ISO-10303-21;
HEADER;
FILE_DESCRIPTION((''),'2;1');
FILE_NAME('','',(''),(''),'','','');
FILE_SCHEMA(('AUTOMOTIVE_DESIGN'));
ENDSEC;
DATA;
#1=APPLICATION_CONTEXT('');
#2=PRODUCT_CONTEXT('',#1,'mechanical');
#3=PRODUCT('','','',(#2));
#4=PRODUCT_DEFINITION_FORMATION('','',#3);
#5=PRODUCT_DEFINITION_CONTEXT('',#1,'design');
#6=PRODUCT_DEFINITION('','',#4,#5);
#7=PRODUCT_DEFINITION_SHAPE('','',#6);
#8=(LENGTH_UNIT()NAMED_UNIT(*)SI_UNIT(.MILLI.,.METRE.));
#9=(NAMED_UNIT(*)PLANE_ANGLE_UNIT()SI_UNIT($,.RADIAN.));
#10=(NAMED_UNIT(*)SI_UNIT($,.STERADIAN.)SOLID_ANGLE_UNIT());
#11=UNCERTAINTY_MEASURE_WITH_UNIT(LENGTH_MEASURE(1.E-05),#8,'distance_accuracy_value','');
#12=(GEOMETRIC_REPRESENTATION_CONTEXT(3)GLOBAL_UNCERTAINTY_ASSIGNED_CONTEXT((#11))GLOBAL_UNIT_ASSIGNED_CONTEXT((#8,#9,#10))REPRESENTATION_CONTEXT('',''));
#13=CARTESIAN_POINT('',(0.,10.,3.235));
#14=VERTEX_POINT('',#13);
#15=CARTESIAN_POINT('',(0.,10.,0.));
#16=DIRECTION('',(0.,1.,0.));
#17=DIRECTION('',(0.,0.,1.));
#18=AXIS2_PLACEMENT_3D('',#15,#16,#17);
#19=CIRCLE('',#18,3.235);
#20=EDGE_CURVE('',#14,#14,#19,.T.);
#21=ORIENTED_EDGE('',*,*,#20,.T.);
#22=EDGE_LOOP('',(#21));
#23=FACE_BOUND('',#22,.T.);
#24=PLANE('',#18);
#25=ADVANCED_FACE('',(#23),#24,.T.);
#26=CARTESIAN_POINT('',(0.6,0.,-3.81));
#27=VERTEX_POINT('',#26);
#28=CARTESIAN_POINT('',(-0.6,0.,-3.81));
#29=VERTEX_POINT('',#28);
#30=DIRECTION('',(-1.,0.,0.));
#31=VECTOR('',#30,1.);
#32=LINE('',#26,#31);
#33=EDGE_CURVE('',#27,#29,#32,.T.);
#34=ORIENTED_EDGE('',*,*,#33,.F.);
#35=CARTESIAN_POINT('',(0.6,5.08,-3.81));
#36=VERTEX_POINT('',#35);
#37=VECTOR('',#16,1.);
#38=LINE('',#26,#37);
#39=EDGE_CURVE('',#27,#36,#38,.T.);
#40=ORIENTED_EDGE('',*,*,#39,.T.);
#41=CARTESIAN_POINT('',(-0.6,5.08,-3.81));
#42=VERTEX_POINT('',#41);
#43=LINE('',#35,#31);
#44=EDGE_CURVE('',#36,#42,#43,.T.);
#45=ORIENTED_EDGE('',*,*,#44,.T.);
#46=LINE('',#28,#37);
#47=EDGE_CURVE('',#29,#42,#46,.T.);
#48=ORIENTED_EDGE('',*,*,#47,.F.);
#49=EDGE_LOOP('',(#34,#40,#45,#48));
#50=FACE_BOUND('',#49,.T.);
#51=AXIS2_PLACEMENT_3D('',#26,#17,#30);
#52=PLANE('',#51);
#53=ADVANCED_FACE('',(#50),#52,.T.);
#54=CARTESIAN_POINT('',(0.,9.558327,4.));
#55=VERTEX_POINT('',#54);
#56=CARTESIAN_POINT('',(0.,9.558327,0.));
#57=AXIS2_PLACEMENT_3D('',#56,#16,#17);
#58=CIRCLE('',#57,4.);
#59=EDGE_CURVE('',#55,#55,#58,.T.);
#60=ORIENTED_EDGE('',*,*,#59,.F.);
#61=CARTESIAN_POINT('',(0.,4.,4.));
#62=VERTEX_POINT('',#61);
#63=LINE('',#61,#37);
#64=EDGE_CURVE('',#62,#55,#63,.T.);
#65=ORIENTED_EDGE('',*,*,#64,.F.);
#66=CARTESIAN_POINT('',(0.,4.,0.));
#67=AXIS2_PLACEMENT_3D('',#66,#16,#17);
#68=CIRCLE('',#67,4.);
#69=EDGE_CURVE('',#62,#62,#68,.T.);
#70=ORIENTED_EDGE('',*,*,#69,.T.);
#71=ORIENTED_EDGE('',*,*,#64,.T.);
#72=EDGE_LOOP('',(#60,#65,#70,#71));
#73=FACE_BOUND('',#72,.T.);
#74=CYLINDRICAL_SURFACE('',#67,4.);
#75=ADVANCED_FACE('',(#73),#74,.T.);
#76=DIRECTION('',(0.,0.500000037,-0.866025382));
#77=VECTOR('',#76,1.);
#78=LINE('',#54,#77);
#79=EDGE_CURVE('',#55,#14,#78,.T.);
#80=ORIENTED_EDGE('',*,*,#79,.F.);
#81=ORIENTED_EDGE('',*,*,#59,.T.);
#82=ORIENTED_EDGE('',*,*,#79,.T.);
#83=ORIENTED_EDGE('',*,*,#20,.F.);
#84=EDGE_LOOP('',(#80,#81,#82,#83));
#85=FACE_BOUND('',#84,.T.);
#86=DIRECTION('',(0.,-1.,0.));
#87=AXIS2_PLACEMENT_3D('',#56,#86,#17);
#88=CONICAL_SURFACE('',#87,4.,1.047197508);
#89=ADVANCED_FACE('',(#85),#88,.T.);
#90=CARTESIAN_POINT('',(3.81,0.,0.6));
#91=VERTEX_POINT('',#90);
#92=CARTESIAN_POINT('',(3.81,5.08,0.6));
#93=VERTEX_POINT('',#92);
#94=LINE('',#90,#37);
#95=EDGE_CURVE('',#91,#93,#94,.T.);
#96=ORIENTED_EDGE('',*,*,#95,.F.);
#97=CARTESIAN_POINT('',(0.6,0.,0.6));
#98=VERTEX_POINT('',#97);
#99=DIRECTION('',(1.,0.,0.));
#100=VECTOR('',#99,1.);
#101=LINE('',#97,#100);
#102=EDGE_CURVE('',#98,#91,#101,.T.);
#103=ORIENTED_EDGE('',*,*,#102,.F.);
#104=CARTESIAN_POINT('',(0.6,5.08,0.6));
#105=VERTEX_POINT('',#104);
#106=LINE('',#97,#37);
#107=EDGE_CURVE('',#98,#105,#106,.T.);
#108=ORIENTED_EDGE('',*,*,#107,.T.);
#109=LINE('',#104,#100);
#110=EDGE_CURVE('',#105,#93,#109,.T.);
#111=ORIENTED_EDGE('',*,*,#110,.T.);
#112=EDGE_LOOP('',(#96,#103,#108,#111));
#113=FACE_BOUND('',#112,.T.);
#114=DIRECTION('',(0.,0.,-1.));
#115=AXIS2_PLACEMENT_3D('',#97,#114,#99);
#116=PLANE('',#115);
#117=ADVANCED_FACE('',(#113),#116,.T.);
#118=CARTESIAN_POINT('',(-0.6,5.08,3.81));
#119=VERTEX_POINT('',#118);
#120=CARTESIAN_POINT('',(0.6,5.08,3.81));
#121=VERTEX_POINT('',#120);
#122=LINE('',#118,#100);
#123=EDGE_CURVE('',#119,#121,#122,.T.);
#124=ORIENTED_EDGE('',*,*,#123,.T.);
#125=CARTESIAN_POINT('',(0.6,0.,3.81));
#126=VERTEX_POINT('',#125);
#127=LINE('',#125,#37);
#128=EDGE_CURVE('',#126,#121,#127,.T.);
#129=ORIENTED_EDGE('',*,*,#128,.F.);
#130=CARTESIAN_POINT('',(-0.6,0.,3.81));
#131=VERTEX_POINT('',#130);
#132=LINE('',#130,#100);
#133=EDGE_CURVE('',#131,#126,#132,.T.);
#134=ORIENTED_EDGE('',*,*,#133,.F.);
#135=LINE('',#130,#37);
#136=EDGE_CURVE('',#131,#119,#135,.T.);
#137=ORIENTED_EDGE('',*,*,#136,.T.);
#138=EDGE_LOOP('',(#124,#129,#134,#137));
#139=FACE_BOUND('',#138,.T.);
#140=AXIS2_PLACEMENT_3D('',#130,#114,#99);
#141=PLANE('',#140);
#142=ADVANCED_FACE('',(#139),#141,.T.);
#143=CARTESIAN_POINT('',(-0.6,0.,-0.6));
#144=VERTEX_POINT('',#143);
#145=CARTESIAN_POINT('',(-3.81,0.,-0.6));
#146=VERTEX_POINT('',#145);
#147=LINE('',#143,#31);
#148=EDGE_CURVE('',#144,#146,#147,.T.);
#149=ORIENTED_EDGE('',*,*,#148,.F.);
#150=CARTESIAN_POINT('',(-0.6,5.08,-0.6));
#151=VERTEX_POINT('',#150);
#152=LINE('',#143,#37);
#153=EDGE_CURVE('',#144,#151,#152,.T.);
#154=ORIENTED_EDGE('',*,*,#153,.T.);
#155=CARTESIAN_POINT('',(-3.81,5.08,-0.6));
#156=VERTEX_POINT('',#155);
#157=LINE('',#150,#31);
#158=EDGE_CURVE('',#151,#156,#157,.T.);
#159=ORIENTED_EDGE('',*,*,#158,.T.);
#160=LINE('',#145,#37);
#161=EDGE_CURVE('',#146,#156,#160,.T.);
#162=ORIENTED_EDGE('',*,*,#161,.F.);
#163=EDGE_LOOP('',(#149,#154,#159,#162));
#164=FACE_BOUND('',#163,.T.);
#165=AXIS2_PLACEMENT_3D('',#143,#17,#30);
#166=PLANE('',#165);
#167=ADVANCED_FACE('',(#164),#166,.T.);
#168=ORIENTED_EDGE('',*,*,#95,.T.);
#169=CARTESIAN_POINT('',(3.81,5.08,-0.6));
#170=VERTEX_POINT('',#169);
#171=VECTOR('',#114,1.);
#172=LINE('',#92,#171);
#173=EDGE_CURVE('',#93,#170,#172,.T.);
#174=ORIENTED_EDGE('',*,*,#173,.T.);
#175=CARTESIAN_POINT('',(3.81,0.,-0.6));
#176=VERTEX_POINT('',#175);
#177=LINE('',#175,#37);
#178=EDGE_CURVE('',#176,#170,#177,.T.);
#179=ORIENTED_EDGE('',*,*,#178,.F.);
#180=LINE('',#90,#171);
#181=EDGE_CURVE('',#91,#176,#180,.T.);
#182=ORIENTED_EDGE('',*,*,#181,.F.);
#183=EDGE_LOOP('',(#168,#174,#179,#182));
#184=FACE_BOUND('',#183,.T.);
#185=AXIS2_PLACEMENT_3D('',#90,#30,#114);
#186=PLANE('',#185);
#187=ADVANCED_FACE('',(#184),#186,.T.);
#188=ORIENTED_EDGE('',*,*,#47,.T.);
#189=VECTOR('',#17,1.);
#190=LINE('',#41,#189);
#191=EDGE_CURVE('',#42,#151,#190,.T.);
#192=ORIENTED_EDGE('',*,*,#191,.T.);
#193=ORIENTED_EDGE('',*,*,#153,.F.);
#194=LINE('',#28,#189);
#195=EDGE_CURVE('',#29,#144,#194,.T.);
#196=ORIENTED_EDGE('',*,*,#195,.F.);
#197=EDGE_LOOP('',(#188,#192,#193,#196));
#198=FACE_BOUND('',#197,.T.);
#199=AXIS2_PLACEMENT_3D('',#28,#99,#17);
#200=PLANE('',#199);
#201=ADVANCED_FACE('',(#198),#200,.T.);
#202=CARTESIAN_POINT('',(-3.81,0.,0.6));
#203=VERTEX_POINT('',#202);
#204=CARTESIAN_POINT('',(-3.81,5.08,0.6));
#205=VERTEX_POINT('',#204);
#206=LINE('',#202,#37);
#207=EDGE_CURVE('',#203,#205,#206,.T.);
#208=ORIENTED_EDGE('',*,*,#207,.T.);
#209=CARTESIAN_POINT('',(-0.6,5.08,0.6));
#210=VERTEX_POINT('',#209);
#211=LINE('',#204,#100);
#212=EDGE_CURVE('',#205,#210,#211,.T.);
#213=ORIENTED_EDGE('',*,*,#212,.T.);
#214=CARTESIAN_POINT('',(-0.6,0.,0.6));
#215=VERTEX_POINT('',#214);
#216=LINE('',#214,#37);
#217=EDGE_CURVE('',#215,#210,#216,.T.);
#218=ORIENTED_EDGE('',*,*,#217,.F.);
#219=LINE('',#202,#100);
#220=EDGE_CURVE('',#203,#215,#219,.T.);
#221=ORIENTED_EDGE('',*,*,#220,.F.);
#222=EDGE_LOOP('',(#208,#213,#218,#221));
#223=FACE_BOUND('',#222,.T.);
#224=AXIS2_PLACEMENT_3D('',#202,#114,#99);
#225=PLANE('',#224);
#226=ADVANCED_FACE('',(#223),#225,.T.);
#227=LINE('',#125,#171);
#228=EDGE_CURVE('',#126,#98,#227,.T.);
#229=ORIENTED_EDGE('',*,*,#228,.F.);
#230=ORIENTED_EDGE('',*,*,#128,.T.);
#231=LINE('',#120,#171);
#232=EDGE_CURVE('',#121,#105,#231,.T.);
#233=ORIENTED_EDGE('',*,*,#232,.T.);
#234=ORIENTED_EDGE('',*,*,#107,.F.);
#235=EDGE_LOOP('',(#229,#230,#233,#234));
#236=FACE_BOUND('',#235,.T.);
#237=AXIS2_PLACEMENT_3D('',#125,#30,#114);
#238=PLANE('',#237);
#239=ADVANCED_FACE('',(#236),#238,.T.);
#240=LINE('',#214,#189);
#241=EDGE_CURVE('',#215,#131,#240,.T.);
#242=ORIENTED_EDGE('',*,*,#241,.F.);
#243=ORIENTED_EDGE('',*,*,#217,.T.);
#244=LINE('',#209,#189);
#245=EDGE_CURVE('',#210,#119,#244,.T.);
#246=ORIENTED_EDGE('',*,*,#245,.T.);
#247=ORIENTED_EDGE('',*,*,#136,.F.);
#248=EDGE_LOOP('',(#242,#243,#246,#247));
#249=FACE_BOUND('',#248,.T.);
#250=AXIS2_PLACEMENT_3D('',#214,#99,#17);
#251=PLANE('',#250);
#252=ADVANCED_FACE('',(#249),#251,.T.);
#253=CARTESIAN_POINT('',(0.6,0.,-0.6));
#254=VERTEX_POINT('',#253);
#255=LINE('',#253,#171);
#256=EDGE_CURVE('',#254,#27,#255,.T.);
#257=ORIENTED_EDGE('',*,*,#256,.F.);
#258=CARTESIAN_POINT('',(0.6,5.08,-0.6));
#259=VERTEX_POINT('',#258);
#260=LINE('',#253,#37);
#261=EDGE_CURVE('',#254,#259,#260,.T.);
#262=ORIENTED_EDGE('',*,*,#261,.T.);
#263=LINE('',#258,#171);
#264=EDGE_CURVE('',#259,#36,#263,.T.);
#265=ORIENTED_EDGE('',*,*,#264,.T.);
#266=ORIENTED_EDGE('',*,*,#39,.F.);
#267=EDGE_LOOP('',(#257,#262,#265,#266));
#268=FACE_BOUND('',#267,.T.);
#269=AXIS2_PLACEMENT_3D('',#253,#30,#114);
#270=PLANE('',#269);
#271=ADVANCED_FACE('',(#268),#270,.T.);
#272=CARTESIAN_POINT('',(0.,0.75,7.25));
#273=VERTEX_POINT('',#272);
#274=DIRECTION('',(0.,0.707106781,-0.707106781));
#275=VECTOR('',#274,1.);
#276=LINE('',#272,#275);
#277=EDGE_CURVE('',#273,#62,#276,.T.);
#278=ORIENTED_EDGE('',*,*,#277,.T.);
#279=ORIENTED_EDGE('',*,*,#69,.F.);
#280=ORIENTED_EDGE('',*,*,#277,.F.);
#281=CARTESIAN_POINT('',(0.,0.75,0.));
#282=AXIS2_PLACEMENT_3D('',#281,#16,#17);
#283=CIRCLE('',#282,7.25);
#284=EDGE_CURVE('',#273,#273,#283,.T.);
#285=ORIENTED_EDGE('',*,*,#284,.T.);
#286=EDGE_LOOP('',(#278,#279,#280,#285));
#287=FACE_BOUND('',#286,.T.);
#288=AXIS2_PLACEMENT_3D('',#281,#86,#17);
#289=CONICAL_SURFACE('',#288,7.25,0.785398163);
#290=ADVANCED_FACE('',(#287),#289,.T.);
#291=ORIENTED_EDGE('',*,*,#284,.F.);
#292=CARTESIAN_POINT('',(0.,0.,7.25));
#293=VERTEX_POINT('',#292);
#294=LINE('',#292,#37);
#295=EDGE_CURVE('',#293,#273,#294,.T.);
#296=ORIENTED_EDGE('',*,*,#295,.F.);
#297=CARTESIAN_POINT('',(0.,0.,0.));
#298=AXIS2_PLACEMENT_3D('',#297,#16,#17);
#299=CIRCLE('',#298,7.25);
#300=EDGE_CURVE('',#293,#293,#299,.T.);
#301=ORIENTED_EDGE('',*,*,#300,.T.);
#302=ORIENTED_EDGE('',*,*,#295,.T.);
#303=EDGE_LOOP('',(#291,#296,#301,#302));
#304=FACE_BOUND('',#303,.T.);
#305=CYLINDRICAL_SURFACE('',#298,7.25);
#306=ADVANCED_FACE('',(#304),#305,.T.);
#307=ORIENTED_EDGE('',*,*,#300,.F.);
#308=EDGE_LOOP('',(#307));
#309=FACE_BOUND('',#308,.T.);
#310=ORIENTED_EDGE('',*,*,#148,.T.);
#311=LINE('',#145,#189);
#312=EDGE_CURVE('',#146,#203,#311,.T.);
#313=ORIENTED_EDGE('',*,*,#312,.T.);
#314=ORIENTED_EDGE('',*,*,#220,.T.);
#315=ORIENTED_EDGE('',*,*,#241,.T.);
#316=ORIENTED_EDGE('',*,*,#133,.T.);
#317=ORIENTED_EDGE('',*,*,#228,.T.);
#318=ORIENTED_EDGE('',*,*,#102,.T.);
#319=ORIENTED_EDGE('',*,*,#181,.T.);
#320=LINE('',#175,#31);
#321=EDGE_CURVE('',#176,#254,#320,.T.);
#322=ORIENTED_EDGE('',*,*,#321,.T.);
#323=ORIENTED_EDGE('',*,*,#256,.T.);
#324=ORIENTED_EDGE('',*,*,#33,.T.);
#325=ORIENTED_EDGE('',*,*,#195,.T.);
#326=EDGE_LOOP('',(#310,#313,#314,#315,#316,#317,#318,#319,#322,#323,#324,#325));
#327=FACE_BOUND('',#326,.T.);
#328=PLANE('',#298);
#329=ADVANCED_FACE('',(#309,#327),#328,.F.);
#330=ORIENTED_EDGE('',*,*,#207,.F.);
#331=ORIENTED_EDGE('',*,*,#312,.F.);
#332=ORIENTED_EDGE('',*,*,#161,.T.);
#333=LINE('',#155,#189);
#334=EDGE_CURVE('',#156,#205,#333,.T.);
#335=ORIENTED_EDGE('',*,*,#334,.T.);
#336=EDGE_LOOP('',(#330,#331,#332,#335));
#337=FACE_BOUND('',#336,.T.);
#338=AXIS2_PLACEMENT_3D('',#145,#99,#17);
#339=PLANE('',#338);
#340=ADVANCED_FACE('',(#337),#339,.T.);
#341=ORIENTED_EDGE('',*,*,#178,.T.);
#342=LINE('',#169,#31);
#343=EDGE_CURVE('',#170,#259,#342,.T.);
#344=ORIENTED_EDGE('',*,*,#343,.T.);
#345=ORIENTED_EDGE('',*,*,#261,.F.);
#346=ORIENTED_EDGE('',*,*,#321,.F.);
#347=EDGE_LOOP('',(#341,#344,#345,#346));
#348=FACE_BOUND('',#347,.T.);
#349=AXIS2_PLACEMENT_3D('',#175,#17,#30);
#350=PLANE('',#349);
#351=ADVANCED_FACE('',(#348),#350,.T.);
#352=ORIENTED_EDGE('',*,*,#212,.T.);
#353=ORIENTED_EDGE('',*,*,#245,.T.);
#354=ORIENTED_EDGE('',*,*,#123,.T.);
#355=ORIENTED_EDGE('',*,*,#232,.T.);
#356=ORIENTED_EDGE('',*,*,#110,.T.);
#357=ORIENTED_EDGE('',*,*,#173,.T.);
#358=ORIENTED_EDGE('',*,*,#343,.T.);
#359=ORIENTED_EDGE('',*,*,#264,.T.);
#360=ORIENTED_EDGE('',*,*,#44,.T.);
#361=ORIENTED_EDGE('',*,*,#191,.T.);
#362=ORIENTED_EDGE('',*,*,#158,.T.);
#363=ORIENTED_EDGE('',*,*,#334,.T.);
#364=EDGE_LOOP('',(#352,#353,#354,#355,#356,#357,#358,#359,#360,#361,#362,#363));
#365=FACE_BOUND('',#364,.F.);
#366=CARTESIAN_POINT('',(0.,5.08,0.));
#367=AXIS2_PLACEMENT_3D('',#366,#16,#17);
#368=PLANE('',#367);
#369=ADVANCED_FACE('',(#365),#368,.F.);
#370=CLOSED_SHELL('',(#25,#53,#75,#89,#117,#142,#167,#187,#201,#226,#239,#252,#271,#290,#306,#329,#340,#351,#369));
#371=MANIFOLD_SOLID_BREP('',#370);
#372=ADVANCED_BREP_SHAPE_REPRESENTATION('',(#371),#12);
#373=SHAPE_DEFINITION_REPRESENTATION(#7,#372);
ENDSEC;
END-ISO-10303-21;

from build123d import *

# Parameters (mm, degrees)
POCKET_DEPTH = 5.08


with BuildPart() as part:
    # Sketch → Revolution (revolve)
    with BuildSketch(Plane.YZ):
        Polygon((0, 0), (0, 7.25), (0.75, 7.25), (4, 4), (9.558327, 4), (10, 3.235), (10, 0), align=None)
    revolve(axis=Axis((0, 0, 0), (0, 1, 0)))

    # Sketch001 → Pocket (cut)
    with BuildSketch(Plane(origin=(0, 0, 0), x_dir=(0, 0, -1), z_dir=(0, -1, 0))):
        Polygon((-3.81, 0.6), (-0.6, 0.6), (-0.6, 3.81), (0.6, 3.81), (0.6, 0.6), (3.81, 0.6), (3.81, -0.6), (0.6, -0.6), (0.6, -3.81), (-0.6, -3.81), (-0.6, -0.6), (-3.81, -0.6), align=None)
    extrude(amount=-POCKET_DEPTH, mode=Mode.SUBTRACT)


solid = part.part
